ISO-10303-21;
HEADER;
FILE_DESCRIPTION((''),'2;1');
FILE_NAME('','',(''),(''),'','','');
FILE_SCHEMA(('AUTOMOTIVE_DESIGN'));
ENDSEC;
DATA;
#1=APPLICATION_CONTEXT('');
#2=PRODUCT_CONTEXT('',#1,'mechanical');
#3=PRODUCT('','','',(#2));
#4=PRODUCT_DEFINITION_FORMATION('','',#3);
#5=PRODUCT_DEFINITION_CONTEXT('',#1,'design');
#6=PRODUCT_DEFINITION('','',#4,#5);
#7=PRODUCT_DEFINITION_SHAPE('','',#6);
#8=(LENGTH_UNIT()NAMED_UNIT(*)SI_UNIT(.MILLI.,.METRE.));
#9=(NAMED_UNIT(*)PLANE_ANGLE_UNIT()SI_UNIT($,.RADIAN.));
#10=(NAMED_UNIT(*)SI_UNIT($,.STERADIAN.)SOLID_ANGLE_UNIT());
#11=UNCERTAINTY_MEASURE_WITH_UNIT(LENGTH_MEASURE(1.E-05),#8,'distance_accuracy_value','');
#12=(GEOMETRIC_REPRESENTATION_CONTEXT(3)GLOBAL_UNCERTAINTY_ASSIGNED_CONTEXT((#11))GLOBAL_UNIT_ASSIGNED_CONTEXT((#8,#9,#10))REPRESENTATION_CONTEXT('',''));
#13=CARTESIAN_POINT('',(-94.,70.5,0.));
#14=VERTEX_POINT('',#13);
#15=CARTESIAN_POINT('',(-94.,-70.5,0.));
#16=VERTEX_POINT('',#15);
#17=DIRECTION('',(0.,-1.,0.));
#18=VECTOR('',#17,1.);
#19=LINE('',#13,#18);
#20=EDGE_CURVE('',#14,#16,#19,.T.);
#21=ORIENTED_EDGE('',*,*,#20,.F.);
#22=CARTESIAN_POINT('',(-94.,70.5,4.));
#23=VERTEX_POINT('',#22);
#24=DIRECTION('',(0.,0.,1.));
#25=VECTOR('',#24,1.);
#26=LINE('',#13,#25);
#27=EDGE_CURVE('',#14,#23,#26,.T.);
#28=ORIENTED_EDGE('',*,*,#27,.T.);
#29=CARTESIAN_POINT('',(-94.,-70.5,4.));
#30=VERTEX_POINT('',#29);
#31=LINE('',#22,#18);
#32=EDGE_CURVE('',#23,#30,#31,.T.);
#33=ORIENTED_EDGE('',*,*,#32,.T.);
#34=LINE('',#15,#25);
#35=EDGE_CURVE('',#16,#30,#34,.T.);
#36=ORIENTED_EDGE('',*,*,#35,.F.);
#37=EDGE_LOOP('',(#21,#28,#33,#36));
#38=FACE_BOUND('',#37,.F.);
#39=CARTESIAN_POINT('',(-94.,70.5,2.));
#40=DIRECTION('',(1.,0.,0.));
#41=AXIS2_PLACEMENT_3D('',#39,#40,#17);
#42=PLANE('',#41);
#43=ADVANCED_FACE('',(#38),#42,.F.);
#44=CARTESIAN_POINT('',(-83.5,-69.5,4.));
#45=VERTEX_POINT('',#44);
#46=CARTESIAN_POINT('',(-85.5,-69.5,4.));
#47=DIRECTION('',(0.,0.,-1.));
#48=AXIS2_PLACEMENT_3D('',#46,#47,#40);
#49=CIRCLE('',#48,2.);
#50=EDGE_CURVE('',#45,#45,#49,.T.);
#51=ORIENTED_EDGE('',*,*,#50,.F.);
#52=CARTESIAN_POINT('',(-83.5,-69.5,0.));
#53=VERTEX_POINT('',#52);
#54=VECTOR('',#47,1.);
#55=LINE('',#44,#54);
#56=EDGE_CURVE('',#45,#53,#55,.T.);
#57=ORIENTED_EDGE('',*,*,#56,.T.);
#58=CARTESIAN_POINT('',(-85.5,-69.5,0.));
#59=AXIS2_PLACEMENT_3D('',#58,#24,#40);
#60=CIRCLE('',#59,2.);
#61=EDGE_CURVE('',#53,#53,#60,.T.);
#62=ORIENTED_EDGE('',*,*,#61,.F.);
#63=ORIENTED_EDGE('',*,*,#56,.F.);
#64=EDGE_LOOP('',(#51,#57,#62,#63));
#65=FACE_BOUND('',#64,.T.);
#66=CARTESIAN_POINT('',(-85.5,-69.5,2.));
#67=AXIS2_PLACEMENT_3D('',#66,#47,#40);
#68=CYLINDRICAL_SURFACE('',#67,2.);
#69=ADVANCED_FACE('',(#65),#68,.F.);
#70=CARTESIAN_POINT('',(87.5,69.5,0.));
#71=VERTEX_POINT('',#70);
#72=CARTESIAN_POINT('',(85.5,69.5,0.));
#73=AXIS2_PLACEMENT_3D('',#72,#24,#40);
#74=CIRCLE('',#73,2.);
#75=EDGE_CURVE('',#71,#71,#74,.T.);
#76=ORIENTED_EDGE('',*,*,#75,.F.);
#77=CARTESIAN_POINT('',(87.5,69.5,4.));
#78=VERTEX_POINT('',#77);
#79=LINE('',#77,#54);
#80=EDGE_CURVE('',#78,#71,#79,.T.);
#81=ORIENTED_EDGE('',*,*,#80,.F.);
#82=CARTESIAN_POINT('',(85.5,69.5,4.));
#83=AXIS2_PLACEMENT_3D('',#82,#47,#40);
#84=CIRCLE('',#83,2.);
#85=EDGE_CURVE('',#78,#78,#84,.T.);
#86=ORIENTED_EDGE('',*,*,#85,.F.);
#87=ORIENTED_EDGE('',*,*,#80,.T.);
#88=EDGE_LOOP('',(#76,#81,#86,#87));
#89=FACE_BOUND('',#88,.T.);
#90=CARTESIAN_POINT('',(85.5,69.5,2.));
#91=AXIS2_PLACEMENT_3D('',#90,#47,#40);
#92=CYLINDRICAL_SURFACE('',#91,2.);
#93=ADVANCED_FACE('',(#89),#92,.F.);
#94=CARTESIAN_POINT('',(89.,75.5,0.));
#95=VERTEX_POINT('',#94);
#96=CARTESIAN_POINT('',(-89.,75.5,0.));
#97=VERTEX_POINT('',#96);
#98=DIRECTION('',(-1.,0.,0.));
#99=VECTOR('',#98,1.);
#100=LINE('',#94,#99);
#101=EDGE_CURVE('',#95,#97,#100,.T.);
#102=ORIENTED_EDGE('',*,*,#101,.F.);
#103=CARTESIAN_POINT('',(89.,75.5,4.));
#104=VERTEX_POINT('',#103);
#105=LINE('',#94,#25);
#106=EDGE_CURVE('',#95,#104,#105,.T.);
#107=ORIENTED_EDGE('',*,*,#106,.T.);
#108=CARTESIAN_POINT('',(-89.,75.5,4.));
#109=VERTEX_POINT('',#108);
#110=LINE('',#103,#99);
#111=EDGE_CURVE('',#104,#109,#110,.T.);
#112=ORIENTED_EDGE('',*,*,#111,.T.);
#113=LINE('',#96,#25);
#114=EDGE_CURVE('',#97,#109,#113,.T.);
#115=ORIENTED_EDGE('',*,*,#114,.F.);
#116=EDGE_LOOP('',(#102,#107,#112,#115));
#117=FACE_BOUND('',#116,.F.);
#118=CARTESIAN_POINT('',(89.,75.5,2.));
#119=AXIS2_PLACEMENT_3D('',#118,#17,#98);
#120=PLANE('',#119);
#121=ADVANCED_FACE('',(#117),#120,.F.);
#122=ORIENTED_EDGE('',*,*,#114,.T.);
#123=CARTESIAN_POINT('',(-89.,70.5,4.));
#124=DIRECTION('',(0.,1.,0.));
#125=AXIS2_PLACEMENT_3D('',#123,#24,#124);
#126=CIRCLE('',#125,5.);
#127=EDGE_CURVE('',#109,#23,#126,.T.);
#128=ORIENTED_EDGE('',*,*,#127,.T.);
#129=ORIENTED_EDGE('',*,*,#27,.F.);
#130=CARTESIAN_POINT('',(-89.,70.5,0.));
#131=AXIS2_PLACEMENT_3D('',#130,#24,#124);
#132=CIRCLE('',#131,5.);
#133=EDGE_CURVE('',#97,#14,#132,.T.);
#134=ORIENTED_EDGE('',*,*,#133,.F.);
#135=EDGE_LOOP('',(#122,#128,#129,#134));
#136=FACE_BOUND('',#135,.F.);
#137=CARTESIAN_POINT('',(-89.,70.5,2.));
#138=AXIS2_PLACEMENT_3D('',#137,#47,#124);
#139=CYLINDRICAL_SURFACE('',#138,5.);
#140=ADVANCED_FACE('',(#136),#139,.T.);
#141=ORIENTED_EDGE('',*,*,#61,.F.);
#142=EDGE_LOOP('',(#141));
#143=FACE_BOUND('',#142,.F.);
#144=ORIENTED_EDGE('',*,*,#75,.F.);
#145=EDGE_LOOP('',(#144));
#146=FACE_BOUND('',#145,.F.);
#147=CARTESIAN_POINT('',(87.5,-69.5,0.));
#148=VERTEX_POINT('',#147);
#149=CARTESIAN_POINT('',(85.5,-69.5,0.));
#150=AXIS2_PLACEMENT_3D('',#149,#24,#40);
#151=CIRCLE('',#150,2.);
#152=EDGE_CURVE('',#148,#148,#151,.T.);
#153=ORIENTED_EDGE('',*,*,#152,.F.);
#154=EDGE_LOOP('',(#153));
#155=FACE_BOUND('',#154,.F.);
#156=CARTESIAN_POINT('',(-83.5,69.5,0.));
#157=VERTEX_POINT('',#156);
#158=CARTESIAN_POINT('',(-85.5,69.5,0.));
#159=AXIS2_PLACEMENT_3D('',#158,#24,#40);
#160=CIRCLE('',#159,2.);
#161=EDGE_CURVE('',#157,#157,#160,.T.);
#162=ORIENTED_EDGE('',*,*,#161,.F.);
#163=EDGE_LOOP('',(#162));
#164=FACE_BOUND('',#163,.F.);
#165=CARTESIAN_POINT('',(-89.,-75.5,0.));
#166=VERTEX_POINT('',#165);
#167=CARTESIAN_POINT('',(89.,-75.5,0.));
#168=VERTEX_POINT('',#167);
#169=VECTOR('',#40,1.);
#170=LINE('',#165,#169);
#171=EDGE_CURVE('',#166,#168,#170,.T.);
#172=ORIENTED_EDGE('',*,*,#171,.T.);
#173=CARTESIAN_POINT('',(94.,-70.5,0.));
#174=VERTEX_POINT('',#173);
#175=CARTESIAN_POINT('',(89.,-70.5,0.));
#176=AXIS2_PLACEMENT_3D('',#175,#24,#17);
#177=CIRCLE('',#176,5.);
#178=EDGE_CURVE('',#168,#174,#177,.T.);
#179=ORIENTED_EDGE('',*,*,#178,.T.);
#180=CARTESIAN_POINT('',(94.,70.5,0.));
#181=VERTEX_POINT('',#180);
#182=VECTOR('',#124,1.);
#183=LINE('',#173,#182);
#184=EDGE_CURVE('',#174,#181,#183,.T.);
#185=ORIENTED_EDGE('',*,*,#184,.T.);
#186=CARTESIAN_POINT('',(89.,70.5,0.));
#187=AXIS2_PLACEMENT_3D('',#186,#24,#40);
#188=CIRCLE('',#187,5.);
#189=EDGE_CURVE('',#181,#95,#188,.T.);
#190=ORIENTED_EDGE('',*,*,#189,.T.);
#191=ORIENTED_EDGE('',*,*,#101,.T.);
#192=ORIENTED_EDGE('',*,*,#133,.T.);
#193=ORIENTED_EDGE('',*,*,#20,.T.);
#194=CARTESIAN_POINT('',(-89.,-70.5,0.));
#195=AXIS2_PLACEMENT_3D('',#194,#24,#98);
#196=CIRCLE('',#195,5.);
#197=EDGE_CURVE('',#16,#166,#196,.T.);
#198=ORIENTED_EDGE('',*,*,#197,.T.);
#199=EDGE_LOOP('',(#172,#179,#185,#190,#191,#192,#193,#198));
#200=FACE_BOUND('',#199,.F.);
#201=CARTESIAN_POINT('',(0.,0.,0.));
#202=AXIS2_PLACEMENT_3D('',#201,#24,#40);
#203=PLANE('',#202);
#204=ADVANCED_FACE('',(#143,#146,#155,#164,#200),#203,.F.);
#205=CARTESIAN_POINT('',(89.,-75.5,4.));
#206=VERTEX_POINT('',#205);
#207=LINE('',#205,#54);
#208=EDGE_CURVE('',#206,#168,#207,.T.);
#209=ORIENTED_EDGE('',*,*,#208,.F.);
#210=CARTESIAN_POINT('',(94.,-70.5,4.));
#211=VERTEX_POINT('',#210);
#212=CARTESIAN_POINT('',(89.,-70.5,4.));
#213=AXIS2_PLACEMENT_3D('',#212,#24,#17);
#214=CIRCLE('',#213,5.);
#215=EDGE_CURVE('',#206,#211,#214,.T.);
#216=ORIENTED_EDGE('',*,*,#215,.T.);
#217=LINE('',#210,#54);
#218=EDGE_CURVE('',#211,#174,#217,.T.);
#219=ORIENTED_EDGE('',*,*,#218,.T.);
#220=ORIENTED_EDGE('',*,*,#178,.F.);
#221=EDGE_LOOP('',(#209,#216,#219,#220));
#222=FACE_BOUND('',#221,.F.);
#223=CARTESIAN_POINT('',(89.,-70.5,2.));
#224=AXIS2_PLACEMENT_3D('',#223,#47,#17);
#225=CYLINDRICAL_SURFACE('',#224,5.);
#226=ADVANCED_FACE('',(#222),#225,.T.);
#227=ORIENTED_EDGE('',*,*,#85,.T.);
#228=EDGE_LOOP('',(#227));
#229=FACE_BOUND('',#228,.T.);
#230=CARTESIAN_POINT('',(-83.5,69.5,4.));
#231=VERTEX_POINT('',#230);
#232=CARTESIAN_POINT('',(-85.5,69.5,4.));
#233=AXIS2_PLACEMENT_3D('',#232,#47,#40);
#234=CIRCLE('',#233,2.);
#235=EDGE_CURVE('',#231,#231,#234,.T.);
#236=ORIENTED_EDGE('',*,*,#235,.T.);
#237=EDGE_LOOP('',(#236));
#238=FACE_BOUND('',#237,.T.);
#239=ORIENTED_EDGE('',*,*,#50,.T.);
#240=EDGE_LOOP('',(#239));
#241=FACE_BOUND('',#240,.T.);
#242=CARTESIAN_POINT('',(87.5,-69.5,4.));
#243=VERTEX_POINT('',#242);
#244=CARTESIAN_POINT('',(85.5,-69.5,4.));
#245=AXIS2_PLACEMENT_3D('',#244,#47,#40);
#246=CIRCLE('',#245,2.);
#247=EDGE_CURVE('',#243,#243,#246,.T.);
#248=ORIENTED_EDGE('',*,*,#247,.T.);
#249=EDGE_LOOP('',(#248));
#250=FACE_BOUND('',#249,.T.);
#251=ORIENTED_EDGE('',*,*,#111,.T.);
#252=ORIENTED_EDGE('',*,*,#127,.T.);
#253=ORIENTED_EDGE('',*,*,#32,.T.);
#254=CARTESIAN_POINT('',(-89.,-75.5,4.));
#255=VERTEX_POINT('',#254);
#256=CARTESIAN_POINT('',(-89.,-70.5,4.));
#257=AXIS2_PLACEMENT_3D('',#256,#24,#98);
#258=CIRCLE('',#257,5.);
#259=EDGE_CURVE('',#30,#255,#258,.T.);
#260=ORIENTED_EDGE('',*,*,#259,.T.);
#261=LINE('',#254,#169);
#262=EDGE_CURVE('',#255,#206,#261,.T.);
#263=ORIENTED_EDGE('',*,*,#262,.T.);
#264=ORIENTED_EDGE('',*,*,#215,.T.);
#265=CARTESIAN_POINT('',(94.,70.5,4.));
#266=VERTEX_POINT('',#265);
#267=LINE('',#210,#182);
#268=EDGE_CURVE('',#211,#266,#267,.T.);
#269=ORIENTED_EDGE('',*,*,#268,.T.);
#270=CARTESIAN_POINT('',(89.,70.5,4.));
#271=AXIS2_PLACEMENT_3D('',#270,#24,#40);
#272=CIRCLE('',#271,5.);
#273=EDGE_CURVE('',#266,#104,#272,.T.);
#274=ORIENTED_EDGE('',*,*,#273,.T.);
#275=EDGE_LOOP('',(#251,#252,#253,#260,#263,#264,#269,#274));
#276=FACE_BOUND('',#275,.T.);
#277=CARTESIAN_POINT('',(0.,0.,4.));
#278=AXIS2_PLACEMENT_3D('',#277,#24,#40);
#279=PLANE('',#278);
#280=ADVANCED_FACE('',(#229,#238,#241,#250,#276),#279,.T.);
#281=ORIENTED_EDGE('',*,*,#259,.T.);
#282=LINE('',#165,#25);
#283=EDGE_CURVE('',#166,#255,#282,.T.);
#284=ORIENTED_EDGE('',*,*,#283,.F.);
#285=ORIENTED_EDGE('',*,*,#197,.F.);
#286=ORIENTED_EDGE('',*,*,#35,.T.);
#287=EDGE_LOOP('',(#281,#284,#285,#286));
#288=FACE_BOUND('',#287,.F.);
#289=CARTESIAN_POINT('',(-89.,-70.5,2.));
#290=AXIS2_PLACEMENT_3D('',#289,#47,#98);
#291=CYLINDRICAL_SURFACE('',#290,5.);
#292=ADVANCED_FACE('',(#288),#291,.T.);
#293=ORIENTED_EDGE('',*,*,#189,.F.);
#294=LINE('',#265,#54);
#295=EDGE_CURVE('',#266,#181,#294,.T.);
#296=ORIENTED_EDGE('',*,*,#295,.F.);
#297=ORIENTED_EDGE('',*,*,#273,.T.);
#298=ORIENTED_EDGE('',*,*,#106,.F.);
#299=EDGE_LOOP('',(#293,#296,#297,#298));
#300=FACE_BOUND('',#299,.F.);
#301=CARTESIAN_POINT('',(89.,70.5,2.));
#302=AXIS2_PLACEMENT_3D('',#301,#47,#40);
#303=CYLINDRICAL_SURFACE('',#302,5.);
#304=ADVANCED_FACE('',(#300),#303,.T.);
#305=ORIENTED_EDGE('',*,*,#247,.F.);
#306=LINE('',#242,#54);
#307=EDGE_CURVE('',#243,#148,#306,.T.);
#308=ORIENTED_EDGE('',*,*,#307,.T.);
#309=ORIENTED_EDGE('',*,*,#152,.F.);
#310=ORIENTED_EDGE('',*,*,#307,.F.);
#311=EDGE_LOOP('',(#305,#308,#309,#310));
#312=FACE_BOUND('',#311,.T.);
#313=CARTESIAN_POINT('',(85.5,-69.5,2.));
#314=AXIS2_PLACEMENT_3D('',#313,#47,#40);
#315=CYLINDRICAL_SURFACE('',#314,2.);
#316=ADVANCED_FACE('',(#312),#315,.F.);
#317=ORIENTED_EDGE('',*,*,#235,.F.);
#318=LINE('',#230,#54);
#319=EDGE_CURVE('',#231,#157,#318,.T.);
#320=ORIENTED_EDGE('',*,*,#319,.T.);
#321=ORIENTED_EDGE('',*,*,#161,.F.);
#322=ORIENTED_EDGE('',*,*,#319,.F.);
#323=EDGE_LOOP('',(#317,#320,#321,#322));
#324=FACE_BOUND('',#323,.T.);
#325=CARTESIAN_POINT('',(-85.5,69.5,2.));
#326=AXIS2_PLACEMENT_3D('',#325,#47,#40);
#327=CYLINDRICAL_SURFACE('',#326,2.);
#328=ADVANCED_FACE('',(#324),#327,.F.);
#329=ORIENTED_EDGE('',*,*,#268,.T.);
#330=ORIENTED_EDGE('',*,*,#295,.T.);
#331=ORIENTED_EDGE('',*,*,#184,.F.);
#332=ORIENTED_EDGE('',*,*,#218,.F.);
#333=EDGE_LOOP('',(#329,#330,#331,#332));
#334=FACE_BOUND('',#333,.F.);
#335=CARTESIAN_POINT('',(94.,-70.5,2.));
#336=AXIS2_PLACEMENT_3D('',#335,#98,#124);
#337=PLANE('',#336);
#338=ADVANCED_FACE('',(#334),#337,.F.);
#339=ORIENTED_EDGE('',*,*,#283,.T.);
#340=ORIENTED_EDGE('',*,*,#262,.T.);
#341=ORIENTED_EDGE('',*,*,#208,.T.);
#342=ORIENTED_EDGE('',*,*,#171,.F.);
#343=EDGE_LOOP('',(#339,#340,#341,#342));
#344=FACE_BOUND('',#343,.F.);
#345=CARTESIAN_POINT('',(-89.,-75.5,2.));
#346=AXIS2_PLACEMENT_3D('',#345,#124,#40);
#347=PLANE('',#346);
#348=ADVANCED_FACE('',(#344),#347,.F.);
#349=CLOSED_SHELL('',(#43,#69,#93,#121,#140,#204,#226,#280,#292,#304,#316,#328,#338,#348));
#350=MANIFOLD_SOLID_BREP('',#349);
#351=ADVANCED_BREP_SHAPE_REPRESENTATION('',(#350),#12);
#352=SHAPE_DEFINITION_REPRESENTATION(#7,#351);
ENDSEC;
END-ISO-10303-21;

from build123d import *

# Parameters (mm, degrees)
F0_R     = 2
F1_DEPTH = 2
F3_DEPTH = 2
F4_DEPTH = 2.001


with BuildPart() as f1:
    # F0 (on Top) → F1 (new body)
    with BuildSketch(Plane.XY):
        with BuildLine():
            ThreePointArc((94, 70.5), (92.5355339059, 74.0355339059), (89, 75.5))
            Line((89, 75.5), (-89, 75.5))
            ThreePointArc((-89, 75.5), (-92.5355339059, 74.0355339059), (-94, 70.5))
            Line((-94, 70.5), (-94, -70.5))
            ThreePointArc((-94, -70.5), (-92.5355339059, -74.0355339059), (-89, -75.5))
            Line((-89, -75.5), (89, -75.5))
            ThreePointArc((89, -75.5), (92.5355339059, -74.0355339059), (94, -70.5))
            Line((94, -70.5), (94, 70.5))
        make_face()
        with Locations((-85.5, -69.5)):
            Circle(F0_R, mode=Mode.SUBTRACT)
        with Locations((85.5, -69.5)):
            Circle(F0_R, mode=Mode.SUBTRACT)
        with Locations((-85.5, 69.5)):
            Circle(F0_R, mode=Mode.SUBTRACT)
        with Locations((85.5, 69.5)):
            Circle(F0_R, mode=Mode.SUBTRACT)
    extrude(amount=F1_DEPTH)

    # F2 (on face) + F0 (on Top) → F3 (join)
    with BuildSketch(Plane.XY.offset(2)):
        with BuildLine():
            ThreePointArc((94, 70.5), (92.5355339059, 74.0355339059), (89, 75.5))
            Line((89, 75.5), (-89, 75.5))
            ThreePointArc((-89, 75.5), (-92.5355339059, 74.0355339059), (-94, 70.5))
            Line((-94, 70.5), (-94, -70.5))
            ThreePointArc((-94, -70.5), (-92.5355339059, -74.0355339059), (-89, -75.5))
            Line((-89, -75.5), (89, -75.5))
            ThreePointArc((89, -75.5), (92.5355339059, -74.0355339059), (94, -70.5))
            Line((94, -70.5), (94, 70.5))
        make_face()
    with BuildSketch(Plane.XY):
        with BuildLine():
            ThreePointArc((94, 70.5), (92.5355339059, 74.0355339059), (89, 75.5))
            Line((89, 75.5), (-89, 75.5))
            ThreePointArc((-89, 75.5), (-92.5355339059, 74.0355339059), (-94, 70.5))
            Line((-94, 70.5), (-94, -70.5))
            ThreePointArc((-94, -70.5), (-92.5355339059, -74.0355339059), (-89, -75.5))
            Line((-89, -75.5), (89, -75.5))
            ThreePointArc((89, -75.5), (92.5355339059, -74.0355339059), (94, -70.5))
            Line((94, -70.5), (94, 70.5))
        make_face()
        with Locations((-85.5, -69.5)):
            Circle(F0_R, mode=Mode.SUBTRACT)
        with Locations((85.5, -69.5)):
            Circle(F0_R, mode=Mode.SUBTRACT)
        with Locations((-85.5, 69.5)):
            Circle(F0_R, mode=Mode.SUBTRACT)
        with Locations((85.5, 69.5)):
            Circle(F0_R, mode=Mode.SUBTRACT)
    extrude(amount=F3_DEPTH)

    # F4 (cut, through all): faces of the model
    f4_faces = [f1.faces().sort_by_distance(p)[0] for p in [
        (85.5, 69.5, 2),
        (-85.5, 69.5, 2),
        (85.5, -69.5, 2),
        (-85.5, -69.5, 2),
        (85.5, 69.5, 2),
        (-85.5, 69.5, 2),
        (85.5, -69.5, 2),
        (-85.5, -69.5, 2),
        (85.5, 69.5, 2),
        (-85.5, 69.5, 2),
        (85.5, -69.5, 2),
        (-85.5, -69.5, 2),
        (85.5, 69.5, 2),
        (-85.5, 69.5, 2),
        (85.5, -69.5, 2),
        (-85.5, -69.5, 2),
    ]]
    extrude(f4_faces, amount=-F4_DEPTH, mode=Mode.SUBTRACT)


solid = f1.part
